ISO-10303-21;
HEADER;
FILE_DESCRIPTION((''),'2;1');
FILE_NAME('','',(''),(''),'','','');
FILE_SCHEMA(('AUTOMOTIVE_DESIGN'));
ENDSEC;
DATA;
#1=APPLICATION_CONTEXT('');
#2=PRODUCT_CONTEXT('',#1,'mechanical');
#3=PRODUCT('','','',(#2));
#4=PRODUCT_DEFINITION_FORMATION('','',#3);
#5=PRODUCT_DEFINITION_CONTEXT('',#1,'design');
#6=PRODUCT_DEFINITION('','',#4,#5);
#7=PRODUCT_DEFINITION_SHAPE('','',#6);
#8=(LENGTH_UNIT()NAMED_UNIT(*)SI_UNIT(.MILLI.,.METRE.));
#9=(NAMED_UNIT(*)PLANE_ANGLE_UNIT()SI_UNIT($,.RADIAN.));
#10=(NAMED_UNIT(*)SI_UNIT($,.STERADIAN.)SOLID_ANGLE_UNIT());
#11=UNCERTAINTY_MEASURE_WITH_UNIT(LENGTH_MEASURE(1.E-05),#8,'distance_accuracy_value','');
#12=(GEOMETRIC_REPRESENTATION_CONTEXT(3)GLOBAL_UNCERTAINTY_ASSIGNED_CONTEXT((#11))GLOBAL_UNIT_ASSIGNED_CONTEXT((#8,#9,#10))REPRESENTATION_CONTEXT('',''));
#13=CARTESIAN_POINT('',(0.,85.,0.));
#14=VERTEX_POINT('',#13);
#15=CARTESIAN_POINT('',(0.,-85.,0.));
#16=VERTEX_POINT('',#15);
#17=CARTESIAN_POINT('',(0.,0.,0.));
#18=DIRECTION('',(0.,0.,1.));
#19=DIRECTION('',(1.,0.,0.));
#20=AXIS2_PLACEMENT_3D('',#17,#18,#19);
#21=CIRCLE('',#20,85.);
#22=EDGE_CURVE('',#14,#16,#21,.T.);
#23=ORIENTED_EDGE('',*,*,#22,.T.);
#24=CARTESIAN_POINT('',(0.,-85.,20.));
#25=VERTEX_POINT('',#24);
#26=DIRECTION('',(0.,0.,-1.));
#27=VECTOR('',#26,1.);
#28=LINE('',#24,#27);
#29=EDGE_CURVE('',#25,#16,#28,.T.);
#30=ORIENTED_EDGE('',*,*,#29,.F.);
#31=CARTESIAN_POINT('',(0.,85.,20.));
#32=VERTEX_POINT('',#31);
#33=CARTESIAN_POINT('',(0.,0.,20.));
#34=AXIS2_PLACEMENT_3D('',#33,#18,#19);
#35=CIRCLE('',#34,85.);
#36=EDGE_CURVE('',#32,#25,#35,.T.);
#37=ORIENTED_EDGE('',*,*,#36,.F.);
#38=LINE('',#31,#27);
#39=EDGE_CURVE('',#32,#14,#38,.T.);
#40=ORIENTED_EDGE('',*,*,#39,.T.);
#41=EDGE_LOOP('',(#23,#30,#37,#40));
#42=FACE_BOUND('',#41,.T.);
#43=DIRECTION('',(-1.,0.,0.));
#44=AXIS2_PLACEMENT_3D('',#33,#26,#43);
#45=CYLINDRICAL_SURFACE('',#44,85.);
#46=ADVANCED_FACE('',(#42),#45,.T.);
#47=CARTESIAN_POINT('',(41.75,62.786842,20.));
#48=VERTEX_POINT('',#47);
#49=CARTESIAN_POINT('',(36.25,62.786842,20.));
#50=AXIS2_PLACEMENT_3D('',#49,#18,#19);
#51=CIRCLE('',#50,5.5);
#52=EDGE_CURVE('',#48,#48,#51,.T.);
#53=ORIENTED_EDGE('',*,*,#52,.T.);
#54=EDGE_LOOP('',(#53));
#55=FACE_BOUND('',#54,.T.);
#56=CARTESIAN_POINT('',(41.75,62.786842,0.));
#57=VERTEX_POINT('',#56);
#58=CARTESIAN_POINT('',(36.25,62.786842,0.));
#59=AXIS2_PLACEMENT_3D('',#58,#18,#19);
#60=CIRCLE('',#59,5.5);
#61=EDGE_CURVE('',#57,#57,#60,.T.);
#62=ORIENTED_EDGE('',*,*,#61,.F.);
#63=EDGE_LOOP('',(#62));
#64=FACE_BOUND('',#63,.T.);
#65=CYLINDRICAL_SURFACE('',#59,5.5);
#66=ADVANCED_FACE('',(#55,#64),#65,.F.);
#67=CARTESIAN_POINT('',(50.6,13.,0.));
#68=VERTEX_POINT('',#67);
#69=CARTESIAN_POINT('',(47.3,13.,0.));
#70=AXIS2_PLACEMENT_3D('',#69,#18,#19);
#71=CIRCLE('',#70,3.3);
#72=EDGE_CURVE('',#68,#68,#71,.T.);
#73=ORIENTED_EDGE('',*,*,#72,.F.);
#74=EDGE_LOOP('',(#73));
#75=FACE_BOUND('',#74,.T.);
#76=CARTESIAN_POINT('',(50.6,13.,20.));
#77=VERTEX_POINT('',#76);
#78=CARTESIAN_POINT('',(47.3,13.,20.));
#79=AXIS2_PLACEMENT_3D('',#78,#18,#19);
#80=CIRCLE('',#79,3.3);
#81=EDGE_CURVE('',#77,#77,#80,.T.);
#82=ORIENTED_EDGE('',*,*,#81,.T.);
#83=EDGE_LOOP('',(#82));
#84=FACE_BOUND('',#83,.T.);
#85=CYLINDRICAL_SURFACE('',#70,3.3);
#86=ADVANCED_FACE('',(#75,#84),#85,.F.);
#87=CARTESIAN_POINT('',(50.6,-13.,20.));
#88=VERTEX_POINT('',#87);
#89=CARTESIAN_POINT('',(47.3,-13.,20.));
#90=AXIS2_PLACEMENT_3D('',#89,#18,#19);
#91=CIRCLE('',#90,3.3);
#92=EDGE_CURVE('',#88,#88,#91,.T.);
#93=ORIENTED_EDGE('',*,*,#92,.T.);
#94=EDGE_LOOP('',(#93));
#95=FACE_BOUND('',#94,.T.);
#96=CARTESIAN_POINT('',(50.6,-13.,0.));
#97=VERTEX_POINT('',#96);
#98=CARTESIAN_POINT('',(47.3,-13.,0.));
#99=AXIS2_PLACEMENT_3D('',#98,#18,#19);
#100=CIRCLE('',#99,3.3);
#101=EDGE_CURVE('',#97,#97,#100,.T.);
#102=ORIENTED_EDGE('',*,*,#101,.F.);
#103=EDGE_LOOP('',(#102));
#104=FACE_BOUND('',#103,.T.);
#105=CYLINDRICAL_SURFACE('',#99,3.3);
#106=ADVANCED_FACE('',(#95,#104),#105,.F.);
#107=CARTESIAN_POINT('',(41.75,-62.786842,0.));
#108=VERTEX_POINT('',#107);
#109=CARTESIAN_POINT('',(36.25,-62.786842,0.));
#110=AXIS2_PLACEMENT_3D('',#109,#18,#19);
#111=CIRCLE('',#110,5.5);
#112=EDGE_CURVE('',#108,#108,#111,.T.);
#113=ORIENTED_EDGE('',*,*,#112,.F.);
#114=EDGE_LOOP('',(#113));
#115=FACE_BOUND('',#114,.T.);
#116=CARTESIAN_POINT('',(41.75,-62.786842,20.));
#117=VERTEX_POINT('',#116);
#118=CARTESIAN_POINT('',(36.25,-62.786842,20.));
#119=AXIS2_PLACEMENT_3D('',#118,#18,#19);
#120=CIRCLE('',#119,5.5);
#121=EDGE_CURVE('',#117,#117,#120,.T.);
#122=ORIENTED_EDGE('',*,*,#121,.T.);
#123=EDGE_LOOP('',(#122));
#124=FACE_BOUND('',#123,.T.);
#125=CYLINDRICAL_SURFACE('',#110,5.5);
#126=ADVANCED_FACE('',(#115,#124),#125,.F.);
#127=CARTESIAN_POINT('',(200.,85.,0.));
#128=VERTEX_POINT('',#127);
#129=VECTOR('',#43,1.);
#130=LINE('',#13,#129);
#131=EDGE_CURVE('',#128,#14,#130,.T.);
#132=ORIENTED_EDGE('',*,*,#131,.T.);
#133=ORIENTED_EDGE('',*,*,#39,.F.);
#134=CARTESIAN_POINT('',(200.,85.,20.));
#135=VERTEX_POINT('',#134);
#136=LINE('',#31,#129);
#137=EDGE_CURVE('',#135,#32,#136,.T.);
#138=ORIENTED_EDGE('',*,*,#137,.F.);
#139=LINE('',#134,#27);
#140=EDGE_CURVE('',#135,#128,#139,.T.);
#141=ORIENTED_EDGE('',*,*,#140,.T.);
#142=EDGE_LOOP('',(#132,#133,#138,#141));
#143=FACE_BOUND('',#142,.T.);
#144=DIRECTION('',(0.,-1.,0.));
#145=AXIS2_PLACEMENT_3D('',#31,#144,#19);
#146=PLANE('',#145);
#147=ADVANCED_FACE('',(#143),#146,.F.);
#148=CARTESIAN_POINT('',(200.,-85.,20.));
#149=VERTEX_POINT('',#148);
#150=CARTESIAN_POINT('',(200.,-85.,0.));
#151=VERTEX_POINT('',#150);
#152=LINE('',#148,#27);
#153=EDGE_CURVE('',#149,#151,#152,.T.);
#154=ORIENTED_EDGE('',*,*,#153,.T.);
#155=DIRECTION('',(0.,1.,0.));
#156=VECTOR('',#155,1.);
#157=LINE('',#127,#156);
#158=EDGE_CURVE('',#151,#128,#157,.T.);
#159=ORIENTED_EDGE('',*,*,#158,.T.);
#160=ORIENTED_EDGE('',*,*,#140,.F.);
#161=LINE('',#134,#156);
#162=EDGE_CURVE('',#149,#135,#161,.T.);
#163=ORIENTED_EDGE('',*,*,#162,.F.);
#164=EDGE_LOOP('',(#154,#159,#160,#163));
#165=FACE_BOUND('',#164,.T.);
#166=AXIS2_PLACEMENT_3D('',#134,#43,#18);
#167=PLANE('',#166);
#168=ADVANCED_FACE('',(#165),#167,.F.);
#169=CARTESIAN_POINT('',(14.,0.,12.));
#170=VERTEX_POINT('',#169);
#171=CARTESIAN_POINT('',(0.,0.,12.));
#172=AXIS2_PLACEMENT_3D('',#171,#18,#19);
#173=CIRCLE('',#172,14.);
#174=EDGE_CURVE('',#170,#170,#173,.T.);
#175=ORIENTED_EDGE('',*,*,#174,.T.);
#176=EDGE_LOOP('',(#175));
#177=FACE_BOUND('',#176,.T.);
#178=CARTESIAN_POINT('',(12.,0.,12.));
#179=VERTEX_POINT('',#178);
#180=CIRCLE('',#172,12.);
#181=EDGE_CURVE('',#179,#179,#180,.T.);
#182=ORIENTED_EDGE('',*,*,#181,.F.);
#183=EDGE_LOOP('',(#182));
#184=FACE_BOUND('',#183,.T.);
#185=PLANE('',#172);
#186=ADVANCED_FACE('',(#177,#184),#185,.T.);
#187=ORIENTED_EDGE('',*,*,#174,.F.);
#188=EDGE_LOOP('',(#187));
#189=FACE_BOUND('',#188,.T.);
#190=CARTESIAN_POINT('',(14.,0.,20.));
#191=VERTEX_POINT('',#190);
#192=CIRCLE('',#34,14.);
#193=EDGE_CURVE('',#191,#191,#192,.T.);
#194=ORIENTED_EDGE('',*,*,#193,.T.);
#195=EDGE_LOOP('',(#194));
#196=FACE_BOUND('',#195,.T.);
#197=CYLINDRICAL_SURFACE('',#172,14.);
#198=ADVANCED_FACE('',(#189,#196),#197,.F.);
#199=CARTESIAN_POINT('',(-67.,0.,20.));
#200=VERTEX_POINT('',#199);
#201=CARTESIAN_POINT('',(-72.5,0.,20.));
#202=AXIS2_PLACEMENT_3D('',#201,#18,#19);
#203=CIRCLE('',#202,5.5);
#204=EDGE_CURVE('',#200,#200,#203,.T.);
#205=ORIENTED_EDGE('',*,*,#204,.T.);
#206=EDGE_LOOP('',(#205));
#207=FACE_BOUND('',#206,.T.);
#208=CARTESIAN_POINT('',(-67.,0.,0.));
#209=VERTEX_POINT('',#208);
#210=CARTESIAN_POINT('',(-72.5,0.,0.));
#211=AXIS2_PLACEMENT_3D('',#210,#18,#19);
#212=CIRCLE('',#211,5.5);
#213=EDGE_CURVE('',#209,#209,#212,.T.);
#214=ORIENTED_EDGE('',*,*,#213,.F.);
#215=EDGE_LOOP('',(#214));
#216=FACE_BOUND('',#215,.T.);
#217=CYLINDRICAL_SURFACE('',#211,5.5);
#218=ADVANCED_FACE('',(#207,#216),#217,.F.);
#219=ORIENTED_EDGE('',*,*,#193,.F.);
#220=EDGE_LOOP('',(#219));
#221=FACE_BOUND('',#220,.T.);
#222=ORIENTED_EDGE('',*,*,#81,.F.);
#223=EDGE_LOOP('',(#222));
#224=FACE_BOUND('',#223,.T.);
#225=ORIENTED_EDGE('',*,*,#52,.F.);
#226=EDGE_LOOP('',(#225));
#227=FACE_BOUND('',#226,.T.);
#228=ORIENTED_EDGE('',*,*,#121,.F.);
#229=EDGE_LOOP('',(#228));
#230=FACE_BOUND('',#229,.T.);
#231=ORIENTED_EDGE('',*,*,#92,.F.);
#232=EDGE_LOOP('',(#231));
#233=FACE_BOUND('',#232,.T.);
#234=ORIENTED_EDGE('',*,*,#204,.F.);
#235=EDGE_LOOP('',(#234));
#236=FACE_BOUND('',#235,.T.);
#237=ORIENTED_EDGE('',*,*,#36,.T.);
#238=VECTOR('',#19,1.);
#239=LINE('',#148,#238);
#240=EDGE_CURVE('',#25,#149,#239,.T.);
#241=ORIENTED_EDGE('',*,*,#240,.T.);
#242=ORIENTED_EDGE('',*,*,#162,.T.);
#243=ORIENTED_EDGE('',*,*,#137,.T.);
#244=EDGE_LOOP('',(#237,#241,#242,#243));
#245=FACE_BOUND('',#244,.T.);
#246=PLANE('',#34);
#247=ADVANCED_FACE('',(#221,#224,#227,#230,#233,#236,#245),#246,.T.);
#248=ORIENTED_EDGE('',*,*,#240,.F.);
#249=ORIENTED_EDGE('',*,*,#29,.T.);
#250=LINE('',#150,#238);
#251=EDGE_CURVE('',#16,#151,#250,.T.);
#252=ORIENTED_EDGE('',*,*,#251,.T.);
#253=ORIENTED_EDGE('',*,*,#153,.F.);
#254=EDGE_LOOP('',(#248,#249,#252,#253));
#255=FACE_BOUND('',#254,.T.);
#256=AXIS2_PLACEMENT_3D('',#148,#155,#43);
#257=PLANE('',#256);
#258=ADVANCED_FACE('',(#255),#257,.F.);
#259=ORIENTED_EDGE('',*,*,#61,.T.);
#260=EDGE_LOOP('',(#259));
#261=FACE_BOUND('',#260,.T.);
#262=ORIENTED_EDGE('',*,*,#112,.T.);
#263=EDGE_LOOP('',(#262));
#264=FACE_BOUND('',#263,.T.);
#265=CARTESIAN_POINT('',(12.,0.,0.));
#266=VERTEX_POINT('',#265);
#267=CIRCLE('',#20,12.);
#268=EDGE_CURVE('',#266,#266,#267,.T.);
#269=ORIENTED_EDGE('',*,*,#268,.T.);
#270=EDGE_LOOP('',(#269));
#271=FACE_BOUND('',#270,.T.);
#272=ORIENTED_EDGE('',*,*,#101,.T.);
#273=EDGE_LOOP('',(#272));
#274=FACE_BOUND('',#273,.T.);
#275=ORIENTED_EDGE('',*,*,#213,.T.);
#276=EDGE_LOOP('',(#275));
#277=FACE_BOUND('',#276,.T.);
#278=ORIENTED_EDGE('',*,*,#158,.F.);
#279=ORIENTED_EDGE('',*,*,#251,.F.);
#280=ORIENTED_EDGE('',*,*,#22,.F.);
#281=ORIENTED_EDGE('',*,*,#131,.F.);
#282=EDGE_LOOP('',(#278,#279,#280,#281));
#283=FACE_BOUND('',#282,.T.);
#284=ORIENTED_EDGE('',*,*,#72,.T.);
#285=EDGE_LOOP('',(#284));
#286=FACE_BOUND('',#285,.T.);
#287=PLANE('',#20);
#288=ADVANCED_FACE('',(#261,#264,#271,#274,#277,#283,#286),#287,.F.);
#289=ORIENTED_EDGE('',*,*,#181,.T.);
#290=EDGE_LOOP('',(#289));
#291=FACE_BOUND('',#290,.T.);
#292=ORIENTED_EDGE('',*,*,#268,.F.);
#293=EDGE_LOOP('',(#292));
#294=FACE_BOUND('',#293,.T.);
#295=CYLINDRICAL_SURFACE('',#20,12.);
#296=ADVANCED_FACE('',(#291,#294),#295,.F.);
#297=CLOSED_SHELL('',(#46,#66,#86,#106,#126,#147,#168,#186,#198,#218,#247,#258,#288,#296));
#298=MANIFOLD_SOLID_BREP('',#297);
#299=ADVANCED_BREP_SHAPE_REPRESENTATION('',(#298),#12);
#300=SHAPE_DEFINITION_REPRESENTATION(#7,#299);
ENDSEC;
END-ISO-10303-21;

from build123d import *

# Parameters (mm, degrees)
EXTRUDE_1_DEPTH     = 20
SKETCH_2_R          = 14
CUT_EXTRUDE_1_DEPTH = 8
SKETCH_3_R          = 12
CUT_EXTRUDE_2_DEPTH = 218.644205069
SKETCH_4_R          = 5.5
CUT_EXTRUDE_3_DEPTH = 219.231528428
SKETCH_6_R          = 3.3
CUT_EXTRUDE_4_DEPTH = 219.231528428


with BuildPart() as part:
    # 草图1 → 凸台-拉伸1 (new body)
    with BuildSketch(Plane.XY):
        with BuildLine():
            Line((0, 85), (200, 85))
            Line((200, 85), (200, -85))
            Line((200, -85), (0, -85))
            ThreePointArc((0, -85), (-85, 0), (0, 85))
        make_face()
    extrude(amount=EXTRUDE_1_DEPTH)

    # 草图2 → 切除-拉伸1 (cut)
    with BuildSketch(Plane.XY.offset(20)):
        Circle(SKETCH_2_R)
    extrude(amount=-CUT_EXTRUDE_1_DEPTH, mode=Mode.SUBTRACT)

    # 草图3 → 切除-拉伸2 (cut, through all)
    with BuildSketch(Plane.XY.offset(12)):
        Circle(SKETCH_3_R)
    extrude(amount=-CUT_EXTRUDE_2_DEPTH, mode=Mode.SUBTRACT)

    # 草图4 → 切除-拉伸3 (cut, through all)
    with BuildSketch(Plane.XY.offset(20)):
        with Locations((-72.5, 0)):
            Circle(SKETCH_4_R)
        with Locations((36.25, 62.786841774)):
            Circle(SKETCH_4_R)
        with Locations((36.25, -62.786841774)):
            Circle(SKETCH_4_R)
    extrude(amount=-CUT_EXTRUDE_3_DEPTH, mode=Mode.SUBTRACT)

    # 草图6 → 切除-拉伸4 (cut, through all)
    with BuildSketch(Plane.XY.offset(20)):
        with Locations((47.3, 13)):
            Circle(SKETCH_6_R)
        with Locations((47.3, -13)):
            Circle(SKETCH_6_R)
    extrude(amount=-CUT_EXTRUDE_4_DEPTH, mode=Mode.SUBTRACT)


solid = part.part
